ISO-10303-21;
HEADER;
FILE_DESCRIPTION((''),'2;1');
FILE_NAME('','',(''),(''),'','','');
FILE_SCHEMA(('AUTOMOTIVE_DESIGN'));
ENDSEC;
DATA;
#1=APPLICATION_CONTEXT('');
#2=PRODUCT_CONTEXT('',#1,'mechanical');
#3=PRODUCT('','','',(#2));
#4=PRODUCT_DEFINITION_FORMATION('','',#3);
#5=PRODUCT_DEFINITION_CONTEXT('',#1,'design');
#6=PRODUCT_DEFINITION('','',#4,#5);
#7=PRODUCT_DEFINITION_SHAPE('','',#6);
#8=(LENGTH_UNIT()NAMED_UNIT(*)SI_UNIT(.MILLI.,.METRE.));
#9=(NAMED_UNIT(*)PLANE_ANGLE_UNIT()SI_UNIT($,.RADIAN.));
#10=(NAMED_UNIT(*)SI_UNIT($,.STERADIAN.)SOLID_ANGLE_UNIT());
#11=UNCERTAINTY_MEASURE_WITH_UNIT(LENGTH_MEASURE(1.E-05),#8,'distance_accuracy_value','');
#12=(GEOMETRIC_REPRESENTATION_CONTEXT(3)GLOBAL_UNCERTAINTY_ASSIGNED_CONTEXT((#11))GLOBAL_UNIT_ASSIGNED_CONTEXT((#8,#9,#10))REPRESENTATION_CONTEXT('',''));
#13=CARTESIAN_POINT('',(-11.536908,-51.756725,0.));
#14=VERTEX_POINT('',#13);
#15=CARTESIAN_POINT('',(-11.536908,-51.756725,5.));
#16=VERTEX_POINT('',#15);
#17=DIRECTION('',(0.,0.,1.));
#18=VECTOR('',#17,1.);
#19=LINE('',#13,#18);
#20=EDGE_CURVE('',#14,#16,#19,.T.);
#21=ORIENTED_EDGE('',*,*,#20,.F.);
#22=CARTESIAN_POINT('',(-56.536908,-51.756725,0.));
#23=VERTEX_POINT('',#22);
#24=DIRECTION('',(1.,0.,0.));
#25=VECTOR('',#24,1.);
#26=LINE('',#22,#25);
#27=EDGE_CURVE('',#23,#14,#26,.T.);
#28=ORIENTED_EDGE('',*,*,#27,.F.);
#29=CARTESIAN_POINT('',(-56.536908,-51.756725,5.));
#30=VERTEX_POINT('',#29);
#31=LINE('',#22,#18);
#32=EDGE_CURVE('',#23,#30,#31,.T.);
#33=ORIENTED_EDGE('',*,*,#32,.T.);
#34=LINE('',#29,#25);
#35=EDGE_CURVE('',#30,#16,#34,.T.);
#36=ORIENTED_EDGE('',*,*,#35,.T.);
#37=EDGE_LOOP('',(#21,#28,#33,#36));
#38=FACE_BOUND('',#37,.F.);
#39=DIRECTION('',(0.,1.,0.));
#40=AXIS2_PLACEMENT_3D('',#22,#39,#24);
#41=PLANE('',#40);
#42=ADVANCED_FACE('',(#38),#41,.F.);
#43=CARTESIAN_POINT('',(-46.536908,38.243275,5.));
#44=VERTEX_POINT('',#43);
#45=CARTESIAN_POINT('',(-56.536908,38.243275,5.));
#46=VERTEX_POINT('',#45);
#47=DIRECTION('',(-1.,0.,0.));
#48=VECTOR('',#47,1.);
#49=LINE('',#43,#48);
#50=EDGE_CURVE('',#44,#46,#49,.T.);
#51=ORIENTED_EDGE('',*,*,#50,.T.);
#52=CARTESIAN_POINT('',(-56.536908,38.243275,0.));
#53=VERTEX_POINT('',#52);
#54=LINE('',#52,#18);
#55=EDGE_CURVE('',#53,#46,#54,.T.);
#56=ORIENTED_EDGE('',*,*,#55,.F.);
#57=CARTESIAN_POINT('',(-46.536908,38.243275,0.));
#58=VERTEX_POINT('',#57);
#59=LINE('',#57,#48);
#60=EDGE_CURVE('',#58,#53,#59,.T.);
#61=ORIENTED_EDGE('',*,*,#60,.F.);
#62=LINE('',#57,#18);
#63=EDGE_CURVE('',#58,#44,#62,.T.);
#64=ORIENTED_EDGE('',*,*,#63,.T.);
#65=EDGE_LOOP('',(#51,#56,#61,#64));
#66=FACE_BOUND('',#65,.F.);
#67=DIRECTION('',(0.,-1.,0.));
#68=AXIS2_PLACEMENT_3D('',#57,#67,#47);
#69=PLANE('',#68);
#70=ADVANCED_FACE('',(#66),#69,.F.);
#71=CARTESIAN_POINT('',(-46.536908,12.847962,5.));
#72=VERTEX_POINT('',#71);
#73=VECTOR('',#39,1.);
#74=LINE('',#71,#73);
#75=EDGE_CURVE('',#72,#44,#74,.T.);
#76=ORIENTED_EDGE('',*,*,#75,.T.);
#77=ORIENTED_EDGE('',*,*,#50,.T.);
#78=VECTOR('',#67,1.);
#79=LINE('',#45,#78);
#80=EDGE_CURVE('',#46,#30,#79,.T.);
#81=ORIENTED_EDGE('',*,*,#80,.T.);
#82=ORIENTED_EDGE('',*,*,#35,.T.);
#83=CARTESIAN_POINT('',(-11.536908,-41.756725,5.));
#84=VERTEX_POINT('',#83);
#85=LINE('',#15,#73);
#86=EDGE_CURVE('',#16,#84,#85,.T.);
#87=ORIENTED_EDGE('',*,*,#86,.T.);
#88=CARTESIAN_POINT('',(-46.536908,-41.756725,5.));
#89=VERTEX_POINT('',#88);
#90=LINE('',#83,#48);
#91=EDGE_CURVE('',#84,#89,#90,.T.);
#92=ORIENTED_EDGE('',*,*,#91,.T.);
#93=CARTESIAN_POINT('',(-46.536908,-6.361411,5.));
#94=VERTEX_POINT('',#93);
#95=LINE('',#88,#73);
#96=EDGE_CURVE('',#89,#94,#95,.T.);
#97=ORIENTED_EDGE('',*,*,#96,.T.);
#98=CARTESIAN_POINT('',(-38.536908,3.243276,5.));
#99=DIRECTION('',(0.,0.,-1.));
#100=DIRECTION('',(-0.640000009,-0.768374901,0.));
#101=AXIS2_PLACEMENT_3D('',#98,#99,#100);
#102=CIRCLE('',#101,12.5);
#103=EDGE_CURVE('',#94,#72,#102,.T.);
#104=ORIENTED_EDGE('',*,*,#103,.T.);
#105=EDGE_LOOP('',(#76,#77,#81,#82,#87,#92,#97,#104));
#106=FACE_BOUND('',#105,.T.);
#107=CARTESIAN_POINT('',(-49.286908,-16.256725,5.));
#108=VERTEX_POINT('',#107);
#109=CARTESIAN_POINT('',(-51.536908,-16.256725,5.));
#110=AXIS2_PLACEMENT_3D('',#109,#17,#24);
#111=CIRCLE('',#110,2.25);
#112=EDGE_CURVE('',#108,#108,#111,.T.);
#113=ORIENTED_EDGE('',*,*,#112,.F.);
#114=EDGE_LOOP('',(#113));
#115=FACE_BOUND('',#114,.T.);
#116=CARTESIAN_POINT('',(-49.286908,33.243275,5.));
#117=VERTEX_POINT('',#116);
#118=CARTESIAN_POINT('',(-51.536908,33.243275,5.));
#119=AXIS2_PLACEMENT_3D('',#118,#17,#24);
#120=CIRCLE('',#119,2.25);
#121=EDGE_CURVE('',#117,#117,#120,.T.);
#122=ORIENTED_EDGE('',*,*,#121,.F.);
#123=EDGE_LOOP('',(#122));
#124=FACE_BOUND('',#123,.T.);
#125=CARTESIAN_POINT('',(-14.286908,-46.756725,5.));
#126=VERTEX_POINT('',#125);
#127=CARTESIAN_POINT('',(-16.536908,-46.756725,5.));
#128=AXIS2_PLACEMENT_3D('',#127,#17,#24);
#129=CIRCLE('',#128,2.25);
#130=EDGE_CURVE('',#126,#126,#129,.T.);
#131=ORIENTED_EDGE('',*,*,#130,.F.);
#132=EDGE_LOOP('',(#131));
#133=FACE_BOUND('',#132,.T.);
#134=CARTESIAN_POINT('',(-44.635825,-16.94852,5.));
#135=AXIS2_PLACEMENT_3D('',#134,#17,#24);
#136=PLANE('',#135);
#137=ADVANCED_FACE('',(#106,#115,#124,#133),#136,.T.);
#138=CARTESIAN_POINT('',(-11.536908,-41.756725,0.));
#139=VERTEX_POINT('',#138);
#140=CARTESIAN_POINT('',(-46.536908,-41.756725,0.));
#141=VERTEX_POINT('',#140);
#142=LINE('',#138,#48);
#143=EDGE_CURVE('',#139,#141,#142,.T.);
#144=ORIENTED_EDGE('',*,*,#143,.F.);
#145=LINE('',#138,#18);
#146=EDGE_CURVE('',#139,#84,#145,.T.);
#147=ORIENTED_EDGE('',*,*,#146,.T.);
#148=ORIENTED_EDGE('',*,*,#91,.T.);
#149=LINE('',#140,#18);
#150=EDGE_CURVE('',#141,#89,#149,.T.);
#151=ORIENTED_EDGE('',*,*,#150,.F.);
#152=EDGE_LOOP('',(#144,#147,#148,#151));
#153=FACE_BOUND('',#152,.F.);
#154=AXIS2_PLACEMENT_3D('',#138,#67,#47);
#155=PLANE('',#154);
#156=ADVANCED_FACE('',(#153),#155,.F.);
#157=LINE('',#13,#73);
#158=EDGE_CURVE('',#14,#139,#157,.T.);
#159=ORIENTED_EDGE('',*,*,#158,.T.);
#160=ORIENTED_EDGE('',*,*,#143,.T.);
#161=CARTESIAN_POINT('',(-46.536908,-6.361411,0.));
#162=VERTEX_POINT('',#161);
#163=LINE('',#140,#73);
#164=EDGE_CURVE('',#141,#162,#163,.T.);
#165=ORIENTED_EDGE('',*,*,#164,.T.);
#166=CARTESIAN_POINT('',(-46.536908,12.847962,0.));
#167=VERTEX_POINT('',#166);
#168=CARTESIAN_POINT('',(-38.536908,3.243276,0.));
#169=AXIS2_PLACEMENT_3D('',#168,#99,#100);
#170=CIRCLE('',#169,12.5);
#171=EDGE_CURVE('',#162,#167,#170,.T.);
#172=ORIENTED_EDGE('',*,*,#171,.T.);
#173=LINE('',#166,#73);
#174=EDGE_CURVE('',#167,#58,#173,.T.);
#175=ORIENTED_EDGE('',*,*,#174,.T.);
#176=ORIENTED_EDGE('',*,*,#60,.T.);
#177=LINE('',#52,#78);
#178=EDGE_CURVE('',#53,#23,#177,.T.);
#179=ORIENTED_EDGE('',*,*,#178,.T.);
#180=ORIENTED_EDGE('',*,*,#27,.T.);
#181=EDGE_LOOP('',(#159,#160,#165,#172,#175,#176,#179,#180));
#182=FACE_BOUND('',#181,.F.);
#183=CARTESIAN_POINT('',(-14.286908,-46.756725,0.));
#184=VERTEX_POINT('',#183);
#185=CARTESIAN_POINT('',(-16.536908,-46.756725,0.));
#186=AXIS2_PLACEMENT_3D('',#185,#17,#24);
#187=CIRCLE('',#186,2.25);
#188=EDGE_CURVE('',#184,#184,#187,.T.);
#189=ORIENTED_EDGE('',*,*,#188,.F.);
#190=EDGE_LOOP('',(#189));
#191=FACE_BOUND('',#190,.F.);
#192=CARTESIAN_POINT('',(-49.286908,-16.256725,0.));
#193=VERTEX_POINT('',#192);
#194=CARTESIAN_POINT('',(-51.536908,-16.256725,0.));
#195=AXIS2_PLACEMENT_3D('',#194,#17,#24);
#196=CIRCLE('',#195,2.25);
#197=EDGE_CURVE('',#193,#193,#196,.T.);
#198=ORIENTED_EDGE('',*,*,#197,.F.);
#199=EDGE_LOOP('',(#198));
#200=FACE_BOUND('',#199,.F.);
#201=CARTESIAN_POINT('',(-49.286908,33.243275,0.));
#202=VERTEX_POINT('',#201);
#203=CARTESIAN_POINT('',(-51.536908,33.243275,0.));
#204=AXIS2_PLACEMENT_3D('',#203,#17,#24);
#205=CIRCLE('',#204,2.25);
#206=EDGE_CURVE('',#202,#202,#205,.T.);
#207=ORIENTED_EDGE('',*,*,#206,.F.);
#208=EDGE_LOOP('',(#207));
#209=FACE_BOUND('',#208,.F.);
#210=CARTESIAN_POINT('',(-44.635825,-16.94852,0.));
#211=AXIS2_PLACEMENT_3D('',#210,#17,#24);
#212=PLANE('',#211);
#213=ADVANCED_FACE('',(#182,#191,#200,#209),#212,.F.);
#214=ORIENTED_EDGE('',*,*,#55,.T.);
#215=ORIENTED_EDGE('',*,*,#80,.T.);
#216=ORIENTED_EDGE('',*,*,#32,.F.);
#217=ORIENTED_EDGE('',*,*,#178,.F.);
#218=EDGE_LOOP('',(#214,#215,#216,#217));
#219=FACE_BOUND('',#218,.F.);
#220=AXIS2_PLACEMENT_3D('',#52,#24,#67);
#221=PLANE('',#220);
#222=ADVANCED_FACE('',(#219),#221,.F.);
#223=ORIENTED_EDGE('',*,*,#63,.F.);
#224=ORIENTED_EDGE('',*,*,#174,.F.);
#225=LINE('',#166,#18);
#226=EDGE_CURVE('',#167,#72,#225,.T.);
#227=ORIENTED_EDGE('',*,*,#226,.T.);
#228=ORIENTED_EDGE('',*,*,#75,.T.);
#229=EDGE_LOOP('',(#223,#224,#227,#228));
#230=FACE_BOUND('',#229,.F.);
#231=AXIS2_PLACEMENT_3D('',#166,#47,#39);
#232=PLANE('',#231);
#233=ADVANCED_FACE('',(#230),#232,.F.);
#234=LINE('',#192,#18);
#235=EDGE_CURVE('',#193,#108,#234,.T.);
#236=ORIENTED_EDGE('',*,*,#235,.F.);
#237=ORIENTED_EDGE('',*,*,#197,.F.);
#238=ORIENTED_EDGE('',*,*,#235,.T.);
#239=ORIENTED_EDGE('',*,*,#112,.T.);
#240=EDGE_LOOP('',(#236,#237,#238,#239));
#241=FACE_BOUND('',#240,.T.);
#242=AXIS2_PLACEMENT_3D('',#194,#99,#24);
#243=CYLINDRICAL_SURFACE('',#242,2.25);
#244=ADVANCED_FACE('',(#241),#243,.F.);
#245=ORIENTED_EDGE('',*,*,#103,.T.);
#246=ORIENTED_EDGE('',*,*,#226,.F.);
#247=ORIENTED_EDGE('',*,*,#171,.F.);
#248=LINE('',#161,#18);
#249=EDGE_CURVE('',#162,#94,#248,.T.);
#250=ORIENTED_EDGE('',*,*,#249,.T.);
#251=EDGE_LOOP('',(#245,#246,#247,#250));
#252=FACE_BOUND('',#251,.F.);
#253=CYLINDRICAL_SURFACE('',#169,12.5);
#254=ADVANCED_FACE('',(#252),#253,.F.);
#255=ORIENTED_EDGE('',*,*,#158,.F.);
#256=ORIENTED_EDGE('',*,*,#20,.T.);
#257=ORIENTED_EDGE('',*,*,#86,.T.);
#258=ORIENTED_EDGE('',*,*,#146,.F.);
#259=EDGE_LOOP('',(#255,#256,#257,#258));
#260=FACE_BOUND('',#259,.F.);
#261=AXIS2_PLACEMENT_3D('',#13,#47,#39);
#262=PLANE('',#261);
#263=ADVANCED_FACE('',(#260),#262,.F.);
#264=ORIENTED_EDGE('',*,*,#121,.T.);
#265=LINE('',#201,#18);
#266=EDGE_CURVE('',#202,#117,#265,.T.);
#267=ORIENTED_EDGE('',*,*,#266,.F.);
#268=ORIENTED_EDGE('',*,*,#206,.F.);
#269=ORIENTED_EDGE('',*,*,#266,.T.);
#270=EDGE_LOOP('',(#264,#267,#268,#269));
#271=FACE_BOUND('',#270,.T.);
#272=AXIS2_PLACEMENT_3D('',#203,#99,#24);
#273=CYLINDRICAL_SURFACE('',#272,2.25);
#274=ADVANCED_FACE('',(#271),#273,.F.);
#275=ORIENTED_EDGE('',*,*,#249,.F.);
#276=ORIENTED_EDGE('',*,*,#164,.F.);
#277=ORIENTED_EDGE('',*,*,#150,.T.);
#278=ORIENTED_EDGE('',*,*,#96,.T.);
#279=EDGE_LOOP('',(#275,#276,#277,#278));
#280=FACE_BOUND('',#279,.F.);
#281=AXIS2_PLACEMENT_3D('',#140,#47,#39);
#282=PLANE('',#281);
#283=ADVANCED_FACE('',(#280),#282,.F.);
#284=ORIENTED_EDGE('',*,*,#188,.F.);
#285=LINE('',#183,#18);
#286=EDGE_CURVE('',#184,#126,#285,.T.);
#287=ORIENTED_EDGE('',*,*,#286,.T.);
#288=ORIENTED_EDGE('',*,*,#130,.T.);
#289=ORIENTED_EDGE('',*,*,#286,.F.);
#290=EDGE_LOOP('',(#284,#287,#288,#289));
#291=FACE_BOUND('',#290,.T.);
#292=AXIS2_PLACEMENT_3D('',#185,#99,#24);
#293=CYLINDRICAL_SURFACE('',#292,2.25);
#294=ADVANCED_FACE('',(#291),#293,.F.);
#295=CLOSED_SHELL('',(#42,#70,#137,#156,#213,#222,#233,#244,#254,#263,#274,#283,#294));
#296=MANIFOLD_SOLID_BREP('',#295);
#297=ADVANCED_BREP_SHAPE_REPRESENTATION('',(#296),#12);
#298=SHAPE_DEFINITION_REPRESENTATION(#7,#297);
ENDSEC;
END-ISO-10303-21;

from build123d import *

# Parameters (mm, degrees)
F0_R     = 2.25
F1_DEPTH = 5


with BuildPart() as f1:
    # F0 (on Top) → F1 (new body)
    with BuildSketch(Plane.XY):
        with BuildLine():
            Line((-46.536908, 38.243275), (-56.536908, 38.243275))
            Line((-56.536908, 38.243275), (-56.536908, -51.756725))
            Line((-56.536908, -51.756725), (-46.536908, -51.756725))
            Line((-46.536908, -51.756725), (-11.536908, -51.756725))
            Line((-11.536908, -51.756725), (-11.536908, -41.756725))
            Line((-11.536908, -41.756725), (-46.536908, -41.756725))
            Line((-46.536908, -41.756725), (-46.536908, -6.361411))
            ThreePointArc((-46.536908, -6.361411), (-51.036908, 3.243275), (-46.536908, 12.847962))
            Line((-46.536908, 12.847962), (-46.536908, 38.243275))
        make_face()
        with Locations((-51.536908, -16.256725)):
            Circle(F0_R, mode=Mode.SUBTRACT)
        with Locations((-16.536908, -46.756725)):
            Circle(F0_R, mode=Mode.SUBTRACT)
        with Locations((-51.536908, 33.243275)):
            Circle(F0_R, mode=Mode.SUBTRACT)
    extrude(amount=F1_DEPTH)


solid = f1.part
